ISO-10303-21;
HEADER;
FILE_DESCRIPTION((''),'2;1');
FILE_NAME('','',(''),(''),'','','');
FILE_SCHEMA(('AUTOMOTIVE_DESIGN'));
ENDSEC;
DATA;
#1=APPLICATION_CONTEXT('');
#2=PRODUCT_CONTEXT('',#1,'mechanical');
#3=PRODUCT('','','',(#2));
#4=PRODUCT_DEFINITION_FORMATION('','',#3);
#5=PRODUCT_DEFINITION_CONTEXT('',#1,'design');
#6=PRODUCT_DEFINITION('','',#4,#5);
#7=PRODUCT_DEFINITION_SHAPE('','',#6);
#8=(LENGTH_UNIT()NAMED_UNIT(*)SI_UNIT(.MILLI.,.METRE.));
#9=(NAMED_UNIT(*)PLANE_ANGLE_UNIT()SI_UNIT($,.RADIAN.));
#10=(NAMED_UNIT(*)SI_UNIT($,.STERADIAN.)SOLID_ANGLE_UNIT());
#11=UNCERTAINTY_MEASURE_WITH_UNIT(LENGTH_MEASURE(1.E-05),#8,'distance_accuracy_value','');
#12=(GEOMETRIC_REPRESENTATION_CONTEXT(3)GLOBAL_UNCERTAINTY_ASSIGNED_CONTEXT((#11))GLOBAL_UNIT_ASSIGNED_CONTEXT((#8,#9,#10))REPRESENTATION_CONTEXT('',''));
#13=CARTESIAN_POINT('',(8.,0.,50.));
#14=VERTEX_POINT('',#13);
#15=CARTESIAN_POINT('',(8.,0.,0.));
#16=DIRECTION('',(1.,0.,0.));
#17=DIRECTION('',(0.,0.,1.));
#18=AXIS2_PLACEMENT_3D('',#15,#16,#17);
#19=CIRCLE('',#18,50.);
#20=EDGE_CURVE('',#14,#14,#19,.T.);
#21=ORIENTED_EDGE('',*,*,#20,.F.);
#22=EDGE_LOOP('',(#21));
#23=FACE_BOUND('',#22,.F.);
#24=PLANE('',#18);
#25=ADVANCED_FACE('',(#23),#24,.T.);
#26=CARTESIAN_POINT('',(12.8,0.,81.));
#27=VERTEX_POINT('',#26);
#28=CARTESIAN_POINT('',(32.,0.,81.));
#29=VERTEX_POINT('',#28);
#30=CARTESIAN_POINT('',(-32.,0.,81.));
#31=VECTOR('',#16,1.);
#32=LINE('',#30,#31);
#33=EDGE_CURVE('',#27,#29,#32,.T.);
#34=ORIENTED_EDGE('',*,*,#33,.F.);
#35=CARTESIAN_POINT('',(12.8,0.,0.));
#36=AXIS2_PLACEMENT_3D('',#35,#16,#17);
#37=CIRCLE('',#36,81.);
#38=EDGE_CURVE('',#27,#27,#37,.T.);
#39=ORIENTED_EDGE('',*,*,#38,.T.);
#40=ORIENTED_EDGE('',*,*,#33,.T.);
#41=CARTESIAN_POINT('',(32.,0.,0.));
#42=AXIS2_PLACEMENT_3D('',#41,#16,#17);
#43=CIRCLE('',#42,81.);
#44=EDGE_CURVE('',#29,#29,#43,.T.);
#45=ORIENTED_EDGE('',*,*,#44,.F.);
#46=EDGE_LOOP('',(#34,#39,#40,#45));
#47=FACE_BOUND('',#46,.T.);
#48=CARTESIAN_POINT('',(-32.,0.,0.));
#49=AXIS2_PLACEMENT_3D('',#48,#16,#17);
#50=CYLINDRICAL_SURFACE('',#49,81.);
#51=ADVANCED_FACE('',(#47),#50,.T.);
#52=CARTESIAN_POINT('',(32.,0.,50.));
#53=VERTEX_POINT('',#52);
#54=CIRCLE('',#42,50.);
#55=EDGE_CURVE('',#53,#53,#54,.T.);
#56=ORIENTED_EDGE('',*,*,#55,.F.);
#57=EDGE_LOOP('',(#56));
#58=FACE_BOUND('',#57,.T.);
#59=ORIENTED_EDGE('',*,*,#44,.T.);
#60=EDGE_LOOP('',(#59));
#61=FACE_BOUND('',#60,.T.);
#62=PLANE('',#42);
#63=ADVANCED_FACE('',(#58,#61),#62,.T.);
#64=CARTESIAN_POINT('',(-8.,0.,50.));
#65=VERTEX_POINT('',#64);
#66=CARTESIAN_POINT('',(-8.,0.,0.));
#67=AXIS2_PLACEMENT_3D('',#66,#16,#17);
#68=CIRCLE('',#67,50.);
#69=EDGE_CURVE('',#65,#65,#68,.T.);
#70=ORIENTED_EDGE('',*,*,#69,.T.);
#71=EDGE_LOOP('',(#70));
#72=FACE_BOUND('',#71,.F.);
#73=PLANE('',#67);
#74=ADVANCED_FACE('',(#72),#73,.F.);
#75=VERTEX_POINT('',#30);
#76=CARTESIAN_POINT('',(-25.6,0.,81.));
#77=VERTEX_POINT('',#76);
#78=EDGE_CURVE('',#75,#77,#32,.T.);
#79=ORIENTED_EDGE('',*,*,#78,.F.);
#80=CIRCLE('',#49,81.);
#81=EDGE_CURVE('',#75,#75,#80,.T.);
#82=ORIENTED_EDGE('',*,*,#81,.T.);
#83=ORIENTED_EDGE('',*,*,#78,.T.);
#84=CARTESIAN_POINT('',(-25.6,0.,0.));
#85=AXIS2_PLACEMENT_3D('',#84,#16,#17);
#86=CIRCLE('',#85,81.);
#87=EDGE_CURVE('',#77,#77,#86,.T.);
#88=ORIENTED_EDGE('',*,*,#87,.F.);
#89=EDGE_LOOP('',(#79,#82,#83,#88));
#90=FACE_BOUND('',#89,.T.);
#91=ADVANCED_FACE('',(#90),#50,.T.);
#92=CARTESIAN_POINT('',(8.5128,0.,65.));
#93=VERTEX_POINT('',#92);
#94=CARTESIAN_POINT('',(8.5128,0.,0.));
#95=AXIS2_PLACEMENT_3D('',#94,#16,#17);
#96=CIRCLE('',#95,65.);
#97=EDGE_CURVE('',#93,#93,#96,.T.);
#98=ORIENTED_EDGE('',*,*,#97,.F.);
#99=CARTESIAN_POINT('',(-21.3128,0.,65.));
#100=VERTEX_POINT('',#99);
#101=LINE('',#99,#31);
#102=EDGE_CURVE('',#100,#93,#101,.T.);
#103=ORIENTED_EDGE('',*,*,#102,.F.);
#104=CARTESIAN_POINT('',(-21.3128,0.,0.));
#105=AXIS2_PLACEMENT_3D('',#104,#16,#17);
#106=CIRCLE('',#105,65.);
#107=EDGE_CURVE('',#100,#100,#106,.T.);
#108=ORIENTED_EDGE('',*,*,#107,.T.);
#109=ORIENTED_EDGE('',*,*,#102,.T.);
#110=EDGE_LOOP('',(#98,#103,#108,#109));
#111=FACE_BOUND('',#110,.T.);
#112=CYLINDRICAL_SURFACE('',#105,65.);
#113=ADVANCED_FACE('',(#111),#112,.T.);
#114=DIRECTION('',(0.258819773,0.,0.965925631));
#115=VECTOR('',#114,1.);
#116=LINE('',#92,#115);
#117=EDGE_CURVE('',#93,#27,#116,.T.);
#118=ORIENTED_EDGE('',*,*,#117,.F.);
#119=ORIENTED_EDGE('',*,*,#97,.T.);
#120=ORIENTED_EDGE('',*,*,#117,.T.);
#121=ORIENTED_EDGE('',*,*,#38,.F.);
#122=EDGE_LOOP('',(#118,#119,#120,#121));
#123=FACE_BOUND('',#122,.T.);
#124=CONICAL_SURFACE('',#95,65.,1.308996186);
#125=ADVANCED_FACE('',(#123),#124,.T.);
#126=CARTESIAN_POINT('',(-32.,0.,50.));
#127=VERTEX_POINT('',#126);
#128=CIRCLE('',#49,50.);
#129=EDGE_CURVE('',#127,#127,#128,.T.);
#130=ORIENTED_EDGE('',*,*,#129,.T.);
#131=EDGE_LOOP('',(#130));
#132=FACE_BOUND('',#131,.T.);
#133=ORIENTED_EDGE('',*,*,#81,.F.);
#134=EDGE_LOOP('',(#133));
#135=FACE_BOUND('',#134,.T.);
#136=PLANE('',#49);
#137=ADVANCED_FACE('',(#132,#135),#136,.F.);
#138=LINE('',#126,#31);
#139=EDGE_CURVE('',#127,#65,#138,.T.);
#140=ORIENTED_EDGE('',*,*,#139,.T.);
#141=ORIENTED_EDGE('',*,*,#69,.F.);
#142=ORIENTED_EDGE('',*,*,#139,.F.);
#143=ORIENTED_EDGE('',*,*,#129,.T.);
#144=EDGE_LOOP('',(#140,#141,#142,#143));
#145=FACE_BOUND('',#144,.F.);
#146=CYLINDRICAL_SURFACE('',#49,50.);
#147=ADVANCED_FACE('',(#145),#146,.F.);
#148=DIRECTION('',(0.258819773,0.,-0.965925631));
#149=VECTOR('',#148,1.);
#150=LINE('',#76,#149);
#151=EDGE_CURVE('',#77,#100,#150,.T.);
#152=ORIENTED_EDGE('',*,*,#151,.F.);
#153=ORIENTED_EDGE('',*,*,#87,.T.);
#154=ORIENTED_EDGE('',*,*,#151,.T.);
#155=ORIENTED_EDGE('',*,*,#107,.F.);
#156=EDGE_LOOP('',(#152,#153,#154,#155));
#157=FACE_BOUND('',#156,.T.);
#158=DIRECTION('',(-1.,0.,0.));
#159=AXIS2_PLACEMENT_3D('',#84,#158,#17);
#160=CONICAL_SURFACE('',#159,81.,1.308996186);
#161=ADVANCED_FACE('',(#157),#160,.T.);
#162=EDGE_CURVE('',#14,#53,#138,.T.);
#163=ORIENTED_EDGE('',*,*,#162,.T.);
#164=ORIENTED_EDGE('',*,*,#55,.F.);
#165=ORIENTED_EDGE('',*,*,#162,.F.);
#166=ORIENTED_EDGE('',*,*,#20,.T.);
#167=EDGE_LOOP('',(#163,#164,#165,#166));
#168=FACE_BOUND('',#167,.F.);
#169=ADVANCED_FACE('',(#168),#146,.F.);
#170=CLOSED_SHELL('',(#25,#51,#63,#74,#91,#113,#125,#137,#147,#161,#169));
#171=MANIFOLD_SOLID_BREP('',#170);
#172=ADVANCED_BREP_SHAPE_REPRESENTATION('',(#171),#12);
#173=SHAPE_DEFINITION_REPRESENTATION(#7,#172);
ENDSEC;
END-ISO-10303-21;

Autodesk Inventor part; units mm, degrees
ref_plane "YZ Plane" through (0, 0, 0) normal (1, 0, 0) x (0, 1, 0)
ref_plane "XZ Plane" through (0, 0, 0) normal (0, 1, 0) x (-1, 0, 0)
ref_plane "XY Plane" through (0, 0, 0) normal (0, 0, 1) x (1, 0, 0)
sketch "Sketch1" plane through (0, 0, 0) normal (0, 1, 0) x (-1, 0, 0)
  line L0 (32, 0) -> (-32, 0) construction
  line L1 (32, 81) -> (-32, 81)
  line L2 (-32, 81) -> (-32, 50)
  line L3 (32, 50) -> (-32, 50)
  line L4 (32, 50) -> (32, 81)
  line L5 (8, 0) -> (-8, 0)
  line L6 (-8, 0) -> (-8, 50)
  line L7 (-8, 50) -> (8, 50)
  line L8 (8, 50) -> (8, 0)
  line L9 (8, 0) -> (-8, 50) construction
  line L10 (-8, 0) -> (8, 50) construction
  point P0 (0, 25)
  point P1 (0, 50)
  point P2 (0, 0)
  point P3 (0, 0)
  dimension "Thickness" = 64
  dimension "DiamExt" = 162
  dimension "PipeDiameter" = 100
  dimension "d8" = 16
revolve "Revolution1" add sketch "Sketch1" angle 360 about axis through (-32, 0, 0) along (1, 0, 0)
sketch "Sketch6" plane through (0, 0, 0) normal (0, 1, 0) x (-1, 0, 0)
  line L0 (-32, 81) -> (32, 81) projected
  line L1 (32, 50) -> (8, 50) projected
  line L2 (25.6, 81) -> (21.3128, 65)
  line L3 (21.3128, 65) -> (-8.5128, 65)
  line L4 (-8.5128, 65) -> (-12.8, 81)
  line L5 (32, -81) -> (32, 81) projected
  line L6 (44.8, 0) -> (-44.8, 0) projected
  point P0 (0, 0)
  dimension "d26" = 15
  dimension "d27" = 75
  dimension "d28" = 44.8
  dimension "d29" = 6.4
revolve "Revolution2" cut sketch "Sketch6" angle 360 about axis through (-10, 0, 0) along (1, 0, 0)
equation "\"d8\" = 0.25 * Thickness"
equation "\"d28\" = 0.7 * Thickness"
equation "\"d29\" = 0.1 * Thickness"
properties part number "CHECK VALVE DUALPLATE WAFER 316L DN100" material "316L"
